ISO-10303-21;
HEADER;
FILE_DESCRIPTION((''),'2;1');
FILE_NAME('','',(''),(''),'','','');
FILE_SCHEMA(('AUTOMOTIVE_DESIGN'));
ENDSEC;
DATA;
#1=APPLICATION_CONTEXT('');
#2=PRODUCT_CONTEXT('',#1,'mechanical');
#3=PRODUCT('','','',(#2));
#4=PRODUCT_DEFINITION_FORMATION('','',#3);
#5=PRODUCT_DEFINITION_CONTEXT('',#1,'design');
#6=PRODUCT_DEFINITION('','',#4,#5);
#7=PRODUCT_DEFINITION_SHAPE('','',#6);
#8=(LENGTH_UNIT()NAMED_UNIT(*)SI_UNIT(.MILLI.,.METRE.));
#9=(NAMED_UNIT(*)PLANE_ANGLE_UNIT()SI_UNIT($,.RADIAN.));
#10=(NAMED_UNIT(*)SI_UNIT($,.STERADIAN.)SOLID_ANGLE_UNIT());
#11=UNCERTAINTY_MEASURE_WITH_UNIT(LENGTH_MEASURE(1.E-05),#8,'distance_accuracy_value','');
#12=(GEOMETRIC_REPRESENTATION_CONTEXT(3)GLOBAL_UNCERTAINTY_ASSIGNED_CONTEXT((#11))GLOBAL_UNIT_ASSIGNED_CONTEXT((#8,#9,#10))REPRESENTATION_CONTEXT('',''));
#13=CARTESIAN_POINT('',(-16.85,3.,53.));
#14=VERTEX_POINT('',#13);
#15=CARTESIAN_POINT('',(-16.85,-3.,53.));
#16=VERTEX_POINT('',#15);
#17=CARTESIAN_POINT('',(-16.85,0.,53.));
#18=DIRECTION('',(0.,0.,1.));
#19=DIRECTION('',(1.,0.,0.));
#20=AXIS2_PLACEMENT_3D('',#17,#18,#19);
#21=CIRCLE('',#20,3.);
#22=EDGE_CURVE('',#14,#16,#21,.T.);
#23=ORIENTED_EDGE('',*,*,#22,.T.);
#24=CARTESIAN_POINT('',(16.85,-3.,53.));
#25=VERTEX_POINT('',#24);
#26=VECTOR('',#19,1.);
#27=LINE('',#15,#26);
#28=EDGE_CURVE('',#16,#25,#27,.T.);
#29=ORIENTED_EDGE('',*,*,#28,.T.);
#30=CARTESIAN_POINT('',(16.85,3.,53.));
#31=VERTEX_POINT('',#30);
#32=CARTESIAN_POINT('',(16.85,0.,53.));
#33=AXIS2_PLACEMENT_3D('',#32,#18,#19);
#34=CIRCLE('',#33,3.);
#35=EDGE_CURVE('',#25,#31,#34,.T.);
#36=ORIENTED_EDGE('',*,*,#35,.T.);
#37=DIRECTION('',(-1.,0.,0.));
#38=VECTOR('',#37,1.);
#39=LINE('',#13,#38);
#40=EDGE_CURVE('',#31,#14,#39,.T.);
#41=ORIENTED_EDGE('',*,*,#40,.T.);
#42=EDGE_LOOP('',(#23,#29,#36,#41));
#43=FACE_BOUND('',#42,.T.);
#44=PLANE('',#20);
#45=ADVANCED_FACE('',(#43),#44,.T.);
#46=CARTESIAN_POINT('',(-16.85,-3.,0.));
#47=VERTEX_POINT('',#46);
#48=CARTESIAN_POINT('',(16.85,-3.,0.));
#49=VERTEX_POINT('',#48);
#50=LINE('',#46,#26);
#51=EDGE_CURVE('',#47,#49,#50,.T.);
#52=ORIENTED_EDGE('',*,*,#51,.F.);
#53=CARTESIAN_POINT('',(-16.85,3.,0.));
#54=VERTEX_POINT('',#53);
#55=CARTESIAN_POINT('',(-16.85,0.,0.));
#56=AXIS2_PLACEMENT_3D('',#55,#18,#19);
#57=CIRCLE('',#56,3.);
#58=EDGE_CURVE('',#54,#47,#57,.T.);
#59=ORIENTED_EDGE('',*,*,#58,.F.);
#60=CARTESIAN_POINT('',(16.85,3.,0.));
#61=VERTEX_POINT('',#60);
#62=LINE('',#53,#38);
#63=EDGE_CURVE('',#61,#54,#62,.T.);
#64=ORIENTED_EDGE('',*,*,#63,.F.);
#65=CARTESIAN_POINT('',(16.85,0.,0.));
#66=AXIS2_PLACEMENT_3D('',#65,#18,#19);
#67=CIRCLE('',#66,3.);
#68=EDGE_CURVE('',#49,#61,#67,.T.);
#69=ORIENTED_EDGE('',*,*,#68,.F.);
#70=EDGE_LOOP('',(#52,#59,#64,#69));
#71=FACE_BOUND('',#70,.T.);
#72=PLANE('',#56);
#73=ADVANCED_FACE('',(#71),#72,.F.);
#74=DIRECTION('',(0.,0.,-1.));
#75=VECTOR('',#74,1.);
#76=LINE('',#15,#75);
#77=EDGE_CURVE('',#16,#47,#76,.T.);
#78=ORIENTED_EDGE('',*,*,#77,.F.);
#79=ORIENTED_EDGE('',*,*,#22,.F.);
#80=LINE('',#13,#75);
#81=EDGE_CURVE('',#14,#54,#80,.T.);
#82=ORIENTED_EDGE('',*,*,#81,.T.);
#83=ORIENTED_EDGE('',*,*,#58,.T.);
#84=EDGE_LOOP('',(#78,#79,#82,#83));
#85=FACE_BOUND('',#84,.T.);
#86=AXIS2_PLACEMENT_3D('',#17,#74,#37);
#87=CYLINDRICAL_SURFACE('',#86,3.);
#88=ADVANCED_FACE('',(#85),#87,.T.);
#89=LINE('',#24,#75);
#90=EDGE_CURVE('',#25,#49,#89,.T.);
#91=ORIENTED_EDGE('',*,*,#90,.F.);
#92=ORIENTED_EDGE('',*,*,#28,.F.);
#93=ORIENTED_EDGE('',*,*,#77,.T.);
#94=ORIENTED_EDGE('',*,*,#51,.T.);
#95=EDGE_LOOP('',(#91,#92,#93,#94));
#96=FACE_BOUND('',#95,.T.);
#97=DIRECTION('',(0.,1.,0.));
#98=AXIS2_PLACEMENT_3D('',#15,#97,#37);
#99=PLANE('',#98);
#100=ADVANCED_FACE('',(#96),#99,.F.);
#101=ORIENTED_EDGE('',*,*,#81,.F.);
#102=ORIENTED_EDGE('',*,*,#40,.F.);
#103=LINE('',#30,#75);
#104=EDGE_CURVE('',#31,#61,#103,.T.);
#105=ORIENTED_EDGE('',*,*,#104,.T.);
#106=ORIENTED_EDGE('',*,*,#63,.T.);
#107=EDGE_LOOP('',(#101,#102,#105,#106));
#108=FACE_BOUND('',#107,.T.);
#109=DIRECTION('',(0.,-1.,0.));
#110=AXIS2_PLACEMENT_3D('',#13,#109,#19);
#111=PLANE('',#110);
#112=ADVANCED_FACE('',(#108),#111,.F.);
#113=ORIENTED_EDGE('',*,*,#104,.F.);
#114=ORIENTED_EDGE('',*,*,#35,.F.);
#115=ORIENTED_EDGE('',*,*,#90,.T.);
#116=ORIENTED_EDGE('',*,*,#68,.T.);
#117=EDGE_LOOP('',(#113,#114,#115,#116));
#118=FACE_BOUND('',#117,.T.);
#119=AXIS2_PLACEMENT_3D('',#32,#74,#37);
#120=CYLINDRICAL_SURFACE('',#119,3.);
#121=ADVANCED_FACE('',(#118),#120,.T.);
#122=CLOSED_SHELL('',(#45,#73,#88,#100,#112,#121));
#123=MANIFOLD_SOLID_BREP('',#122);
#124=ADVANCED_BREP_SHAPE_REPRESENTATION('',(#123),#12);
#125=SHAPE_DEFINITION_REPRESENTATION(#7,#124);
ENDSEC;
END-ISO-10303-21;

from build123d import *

# Parameters (mm, degrees)
EXTRUDE_1_DEPTH = 53


with BuildPart() as part:
    # 草图1 → 凸台-拉伸1 (new body)
    with BuildSketch(Plane.XY):
        with BuildLine():
            Line((-16.85, 3), (16.85, 3))
            ThreePointArc((16.85, 3), (19.85, 0), (16.85, -3))
            Line((16.85, -3), (-16.85, -3))
            ThreePointArc((-16.85, -3), (-19.85, 0), (-16.85, 3))
        make_face()
    extrude(amount=EXTRUDE_1_DEPTH)


solid = part.part
